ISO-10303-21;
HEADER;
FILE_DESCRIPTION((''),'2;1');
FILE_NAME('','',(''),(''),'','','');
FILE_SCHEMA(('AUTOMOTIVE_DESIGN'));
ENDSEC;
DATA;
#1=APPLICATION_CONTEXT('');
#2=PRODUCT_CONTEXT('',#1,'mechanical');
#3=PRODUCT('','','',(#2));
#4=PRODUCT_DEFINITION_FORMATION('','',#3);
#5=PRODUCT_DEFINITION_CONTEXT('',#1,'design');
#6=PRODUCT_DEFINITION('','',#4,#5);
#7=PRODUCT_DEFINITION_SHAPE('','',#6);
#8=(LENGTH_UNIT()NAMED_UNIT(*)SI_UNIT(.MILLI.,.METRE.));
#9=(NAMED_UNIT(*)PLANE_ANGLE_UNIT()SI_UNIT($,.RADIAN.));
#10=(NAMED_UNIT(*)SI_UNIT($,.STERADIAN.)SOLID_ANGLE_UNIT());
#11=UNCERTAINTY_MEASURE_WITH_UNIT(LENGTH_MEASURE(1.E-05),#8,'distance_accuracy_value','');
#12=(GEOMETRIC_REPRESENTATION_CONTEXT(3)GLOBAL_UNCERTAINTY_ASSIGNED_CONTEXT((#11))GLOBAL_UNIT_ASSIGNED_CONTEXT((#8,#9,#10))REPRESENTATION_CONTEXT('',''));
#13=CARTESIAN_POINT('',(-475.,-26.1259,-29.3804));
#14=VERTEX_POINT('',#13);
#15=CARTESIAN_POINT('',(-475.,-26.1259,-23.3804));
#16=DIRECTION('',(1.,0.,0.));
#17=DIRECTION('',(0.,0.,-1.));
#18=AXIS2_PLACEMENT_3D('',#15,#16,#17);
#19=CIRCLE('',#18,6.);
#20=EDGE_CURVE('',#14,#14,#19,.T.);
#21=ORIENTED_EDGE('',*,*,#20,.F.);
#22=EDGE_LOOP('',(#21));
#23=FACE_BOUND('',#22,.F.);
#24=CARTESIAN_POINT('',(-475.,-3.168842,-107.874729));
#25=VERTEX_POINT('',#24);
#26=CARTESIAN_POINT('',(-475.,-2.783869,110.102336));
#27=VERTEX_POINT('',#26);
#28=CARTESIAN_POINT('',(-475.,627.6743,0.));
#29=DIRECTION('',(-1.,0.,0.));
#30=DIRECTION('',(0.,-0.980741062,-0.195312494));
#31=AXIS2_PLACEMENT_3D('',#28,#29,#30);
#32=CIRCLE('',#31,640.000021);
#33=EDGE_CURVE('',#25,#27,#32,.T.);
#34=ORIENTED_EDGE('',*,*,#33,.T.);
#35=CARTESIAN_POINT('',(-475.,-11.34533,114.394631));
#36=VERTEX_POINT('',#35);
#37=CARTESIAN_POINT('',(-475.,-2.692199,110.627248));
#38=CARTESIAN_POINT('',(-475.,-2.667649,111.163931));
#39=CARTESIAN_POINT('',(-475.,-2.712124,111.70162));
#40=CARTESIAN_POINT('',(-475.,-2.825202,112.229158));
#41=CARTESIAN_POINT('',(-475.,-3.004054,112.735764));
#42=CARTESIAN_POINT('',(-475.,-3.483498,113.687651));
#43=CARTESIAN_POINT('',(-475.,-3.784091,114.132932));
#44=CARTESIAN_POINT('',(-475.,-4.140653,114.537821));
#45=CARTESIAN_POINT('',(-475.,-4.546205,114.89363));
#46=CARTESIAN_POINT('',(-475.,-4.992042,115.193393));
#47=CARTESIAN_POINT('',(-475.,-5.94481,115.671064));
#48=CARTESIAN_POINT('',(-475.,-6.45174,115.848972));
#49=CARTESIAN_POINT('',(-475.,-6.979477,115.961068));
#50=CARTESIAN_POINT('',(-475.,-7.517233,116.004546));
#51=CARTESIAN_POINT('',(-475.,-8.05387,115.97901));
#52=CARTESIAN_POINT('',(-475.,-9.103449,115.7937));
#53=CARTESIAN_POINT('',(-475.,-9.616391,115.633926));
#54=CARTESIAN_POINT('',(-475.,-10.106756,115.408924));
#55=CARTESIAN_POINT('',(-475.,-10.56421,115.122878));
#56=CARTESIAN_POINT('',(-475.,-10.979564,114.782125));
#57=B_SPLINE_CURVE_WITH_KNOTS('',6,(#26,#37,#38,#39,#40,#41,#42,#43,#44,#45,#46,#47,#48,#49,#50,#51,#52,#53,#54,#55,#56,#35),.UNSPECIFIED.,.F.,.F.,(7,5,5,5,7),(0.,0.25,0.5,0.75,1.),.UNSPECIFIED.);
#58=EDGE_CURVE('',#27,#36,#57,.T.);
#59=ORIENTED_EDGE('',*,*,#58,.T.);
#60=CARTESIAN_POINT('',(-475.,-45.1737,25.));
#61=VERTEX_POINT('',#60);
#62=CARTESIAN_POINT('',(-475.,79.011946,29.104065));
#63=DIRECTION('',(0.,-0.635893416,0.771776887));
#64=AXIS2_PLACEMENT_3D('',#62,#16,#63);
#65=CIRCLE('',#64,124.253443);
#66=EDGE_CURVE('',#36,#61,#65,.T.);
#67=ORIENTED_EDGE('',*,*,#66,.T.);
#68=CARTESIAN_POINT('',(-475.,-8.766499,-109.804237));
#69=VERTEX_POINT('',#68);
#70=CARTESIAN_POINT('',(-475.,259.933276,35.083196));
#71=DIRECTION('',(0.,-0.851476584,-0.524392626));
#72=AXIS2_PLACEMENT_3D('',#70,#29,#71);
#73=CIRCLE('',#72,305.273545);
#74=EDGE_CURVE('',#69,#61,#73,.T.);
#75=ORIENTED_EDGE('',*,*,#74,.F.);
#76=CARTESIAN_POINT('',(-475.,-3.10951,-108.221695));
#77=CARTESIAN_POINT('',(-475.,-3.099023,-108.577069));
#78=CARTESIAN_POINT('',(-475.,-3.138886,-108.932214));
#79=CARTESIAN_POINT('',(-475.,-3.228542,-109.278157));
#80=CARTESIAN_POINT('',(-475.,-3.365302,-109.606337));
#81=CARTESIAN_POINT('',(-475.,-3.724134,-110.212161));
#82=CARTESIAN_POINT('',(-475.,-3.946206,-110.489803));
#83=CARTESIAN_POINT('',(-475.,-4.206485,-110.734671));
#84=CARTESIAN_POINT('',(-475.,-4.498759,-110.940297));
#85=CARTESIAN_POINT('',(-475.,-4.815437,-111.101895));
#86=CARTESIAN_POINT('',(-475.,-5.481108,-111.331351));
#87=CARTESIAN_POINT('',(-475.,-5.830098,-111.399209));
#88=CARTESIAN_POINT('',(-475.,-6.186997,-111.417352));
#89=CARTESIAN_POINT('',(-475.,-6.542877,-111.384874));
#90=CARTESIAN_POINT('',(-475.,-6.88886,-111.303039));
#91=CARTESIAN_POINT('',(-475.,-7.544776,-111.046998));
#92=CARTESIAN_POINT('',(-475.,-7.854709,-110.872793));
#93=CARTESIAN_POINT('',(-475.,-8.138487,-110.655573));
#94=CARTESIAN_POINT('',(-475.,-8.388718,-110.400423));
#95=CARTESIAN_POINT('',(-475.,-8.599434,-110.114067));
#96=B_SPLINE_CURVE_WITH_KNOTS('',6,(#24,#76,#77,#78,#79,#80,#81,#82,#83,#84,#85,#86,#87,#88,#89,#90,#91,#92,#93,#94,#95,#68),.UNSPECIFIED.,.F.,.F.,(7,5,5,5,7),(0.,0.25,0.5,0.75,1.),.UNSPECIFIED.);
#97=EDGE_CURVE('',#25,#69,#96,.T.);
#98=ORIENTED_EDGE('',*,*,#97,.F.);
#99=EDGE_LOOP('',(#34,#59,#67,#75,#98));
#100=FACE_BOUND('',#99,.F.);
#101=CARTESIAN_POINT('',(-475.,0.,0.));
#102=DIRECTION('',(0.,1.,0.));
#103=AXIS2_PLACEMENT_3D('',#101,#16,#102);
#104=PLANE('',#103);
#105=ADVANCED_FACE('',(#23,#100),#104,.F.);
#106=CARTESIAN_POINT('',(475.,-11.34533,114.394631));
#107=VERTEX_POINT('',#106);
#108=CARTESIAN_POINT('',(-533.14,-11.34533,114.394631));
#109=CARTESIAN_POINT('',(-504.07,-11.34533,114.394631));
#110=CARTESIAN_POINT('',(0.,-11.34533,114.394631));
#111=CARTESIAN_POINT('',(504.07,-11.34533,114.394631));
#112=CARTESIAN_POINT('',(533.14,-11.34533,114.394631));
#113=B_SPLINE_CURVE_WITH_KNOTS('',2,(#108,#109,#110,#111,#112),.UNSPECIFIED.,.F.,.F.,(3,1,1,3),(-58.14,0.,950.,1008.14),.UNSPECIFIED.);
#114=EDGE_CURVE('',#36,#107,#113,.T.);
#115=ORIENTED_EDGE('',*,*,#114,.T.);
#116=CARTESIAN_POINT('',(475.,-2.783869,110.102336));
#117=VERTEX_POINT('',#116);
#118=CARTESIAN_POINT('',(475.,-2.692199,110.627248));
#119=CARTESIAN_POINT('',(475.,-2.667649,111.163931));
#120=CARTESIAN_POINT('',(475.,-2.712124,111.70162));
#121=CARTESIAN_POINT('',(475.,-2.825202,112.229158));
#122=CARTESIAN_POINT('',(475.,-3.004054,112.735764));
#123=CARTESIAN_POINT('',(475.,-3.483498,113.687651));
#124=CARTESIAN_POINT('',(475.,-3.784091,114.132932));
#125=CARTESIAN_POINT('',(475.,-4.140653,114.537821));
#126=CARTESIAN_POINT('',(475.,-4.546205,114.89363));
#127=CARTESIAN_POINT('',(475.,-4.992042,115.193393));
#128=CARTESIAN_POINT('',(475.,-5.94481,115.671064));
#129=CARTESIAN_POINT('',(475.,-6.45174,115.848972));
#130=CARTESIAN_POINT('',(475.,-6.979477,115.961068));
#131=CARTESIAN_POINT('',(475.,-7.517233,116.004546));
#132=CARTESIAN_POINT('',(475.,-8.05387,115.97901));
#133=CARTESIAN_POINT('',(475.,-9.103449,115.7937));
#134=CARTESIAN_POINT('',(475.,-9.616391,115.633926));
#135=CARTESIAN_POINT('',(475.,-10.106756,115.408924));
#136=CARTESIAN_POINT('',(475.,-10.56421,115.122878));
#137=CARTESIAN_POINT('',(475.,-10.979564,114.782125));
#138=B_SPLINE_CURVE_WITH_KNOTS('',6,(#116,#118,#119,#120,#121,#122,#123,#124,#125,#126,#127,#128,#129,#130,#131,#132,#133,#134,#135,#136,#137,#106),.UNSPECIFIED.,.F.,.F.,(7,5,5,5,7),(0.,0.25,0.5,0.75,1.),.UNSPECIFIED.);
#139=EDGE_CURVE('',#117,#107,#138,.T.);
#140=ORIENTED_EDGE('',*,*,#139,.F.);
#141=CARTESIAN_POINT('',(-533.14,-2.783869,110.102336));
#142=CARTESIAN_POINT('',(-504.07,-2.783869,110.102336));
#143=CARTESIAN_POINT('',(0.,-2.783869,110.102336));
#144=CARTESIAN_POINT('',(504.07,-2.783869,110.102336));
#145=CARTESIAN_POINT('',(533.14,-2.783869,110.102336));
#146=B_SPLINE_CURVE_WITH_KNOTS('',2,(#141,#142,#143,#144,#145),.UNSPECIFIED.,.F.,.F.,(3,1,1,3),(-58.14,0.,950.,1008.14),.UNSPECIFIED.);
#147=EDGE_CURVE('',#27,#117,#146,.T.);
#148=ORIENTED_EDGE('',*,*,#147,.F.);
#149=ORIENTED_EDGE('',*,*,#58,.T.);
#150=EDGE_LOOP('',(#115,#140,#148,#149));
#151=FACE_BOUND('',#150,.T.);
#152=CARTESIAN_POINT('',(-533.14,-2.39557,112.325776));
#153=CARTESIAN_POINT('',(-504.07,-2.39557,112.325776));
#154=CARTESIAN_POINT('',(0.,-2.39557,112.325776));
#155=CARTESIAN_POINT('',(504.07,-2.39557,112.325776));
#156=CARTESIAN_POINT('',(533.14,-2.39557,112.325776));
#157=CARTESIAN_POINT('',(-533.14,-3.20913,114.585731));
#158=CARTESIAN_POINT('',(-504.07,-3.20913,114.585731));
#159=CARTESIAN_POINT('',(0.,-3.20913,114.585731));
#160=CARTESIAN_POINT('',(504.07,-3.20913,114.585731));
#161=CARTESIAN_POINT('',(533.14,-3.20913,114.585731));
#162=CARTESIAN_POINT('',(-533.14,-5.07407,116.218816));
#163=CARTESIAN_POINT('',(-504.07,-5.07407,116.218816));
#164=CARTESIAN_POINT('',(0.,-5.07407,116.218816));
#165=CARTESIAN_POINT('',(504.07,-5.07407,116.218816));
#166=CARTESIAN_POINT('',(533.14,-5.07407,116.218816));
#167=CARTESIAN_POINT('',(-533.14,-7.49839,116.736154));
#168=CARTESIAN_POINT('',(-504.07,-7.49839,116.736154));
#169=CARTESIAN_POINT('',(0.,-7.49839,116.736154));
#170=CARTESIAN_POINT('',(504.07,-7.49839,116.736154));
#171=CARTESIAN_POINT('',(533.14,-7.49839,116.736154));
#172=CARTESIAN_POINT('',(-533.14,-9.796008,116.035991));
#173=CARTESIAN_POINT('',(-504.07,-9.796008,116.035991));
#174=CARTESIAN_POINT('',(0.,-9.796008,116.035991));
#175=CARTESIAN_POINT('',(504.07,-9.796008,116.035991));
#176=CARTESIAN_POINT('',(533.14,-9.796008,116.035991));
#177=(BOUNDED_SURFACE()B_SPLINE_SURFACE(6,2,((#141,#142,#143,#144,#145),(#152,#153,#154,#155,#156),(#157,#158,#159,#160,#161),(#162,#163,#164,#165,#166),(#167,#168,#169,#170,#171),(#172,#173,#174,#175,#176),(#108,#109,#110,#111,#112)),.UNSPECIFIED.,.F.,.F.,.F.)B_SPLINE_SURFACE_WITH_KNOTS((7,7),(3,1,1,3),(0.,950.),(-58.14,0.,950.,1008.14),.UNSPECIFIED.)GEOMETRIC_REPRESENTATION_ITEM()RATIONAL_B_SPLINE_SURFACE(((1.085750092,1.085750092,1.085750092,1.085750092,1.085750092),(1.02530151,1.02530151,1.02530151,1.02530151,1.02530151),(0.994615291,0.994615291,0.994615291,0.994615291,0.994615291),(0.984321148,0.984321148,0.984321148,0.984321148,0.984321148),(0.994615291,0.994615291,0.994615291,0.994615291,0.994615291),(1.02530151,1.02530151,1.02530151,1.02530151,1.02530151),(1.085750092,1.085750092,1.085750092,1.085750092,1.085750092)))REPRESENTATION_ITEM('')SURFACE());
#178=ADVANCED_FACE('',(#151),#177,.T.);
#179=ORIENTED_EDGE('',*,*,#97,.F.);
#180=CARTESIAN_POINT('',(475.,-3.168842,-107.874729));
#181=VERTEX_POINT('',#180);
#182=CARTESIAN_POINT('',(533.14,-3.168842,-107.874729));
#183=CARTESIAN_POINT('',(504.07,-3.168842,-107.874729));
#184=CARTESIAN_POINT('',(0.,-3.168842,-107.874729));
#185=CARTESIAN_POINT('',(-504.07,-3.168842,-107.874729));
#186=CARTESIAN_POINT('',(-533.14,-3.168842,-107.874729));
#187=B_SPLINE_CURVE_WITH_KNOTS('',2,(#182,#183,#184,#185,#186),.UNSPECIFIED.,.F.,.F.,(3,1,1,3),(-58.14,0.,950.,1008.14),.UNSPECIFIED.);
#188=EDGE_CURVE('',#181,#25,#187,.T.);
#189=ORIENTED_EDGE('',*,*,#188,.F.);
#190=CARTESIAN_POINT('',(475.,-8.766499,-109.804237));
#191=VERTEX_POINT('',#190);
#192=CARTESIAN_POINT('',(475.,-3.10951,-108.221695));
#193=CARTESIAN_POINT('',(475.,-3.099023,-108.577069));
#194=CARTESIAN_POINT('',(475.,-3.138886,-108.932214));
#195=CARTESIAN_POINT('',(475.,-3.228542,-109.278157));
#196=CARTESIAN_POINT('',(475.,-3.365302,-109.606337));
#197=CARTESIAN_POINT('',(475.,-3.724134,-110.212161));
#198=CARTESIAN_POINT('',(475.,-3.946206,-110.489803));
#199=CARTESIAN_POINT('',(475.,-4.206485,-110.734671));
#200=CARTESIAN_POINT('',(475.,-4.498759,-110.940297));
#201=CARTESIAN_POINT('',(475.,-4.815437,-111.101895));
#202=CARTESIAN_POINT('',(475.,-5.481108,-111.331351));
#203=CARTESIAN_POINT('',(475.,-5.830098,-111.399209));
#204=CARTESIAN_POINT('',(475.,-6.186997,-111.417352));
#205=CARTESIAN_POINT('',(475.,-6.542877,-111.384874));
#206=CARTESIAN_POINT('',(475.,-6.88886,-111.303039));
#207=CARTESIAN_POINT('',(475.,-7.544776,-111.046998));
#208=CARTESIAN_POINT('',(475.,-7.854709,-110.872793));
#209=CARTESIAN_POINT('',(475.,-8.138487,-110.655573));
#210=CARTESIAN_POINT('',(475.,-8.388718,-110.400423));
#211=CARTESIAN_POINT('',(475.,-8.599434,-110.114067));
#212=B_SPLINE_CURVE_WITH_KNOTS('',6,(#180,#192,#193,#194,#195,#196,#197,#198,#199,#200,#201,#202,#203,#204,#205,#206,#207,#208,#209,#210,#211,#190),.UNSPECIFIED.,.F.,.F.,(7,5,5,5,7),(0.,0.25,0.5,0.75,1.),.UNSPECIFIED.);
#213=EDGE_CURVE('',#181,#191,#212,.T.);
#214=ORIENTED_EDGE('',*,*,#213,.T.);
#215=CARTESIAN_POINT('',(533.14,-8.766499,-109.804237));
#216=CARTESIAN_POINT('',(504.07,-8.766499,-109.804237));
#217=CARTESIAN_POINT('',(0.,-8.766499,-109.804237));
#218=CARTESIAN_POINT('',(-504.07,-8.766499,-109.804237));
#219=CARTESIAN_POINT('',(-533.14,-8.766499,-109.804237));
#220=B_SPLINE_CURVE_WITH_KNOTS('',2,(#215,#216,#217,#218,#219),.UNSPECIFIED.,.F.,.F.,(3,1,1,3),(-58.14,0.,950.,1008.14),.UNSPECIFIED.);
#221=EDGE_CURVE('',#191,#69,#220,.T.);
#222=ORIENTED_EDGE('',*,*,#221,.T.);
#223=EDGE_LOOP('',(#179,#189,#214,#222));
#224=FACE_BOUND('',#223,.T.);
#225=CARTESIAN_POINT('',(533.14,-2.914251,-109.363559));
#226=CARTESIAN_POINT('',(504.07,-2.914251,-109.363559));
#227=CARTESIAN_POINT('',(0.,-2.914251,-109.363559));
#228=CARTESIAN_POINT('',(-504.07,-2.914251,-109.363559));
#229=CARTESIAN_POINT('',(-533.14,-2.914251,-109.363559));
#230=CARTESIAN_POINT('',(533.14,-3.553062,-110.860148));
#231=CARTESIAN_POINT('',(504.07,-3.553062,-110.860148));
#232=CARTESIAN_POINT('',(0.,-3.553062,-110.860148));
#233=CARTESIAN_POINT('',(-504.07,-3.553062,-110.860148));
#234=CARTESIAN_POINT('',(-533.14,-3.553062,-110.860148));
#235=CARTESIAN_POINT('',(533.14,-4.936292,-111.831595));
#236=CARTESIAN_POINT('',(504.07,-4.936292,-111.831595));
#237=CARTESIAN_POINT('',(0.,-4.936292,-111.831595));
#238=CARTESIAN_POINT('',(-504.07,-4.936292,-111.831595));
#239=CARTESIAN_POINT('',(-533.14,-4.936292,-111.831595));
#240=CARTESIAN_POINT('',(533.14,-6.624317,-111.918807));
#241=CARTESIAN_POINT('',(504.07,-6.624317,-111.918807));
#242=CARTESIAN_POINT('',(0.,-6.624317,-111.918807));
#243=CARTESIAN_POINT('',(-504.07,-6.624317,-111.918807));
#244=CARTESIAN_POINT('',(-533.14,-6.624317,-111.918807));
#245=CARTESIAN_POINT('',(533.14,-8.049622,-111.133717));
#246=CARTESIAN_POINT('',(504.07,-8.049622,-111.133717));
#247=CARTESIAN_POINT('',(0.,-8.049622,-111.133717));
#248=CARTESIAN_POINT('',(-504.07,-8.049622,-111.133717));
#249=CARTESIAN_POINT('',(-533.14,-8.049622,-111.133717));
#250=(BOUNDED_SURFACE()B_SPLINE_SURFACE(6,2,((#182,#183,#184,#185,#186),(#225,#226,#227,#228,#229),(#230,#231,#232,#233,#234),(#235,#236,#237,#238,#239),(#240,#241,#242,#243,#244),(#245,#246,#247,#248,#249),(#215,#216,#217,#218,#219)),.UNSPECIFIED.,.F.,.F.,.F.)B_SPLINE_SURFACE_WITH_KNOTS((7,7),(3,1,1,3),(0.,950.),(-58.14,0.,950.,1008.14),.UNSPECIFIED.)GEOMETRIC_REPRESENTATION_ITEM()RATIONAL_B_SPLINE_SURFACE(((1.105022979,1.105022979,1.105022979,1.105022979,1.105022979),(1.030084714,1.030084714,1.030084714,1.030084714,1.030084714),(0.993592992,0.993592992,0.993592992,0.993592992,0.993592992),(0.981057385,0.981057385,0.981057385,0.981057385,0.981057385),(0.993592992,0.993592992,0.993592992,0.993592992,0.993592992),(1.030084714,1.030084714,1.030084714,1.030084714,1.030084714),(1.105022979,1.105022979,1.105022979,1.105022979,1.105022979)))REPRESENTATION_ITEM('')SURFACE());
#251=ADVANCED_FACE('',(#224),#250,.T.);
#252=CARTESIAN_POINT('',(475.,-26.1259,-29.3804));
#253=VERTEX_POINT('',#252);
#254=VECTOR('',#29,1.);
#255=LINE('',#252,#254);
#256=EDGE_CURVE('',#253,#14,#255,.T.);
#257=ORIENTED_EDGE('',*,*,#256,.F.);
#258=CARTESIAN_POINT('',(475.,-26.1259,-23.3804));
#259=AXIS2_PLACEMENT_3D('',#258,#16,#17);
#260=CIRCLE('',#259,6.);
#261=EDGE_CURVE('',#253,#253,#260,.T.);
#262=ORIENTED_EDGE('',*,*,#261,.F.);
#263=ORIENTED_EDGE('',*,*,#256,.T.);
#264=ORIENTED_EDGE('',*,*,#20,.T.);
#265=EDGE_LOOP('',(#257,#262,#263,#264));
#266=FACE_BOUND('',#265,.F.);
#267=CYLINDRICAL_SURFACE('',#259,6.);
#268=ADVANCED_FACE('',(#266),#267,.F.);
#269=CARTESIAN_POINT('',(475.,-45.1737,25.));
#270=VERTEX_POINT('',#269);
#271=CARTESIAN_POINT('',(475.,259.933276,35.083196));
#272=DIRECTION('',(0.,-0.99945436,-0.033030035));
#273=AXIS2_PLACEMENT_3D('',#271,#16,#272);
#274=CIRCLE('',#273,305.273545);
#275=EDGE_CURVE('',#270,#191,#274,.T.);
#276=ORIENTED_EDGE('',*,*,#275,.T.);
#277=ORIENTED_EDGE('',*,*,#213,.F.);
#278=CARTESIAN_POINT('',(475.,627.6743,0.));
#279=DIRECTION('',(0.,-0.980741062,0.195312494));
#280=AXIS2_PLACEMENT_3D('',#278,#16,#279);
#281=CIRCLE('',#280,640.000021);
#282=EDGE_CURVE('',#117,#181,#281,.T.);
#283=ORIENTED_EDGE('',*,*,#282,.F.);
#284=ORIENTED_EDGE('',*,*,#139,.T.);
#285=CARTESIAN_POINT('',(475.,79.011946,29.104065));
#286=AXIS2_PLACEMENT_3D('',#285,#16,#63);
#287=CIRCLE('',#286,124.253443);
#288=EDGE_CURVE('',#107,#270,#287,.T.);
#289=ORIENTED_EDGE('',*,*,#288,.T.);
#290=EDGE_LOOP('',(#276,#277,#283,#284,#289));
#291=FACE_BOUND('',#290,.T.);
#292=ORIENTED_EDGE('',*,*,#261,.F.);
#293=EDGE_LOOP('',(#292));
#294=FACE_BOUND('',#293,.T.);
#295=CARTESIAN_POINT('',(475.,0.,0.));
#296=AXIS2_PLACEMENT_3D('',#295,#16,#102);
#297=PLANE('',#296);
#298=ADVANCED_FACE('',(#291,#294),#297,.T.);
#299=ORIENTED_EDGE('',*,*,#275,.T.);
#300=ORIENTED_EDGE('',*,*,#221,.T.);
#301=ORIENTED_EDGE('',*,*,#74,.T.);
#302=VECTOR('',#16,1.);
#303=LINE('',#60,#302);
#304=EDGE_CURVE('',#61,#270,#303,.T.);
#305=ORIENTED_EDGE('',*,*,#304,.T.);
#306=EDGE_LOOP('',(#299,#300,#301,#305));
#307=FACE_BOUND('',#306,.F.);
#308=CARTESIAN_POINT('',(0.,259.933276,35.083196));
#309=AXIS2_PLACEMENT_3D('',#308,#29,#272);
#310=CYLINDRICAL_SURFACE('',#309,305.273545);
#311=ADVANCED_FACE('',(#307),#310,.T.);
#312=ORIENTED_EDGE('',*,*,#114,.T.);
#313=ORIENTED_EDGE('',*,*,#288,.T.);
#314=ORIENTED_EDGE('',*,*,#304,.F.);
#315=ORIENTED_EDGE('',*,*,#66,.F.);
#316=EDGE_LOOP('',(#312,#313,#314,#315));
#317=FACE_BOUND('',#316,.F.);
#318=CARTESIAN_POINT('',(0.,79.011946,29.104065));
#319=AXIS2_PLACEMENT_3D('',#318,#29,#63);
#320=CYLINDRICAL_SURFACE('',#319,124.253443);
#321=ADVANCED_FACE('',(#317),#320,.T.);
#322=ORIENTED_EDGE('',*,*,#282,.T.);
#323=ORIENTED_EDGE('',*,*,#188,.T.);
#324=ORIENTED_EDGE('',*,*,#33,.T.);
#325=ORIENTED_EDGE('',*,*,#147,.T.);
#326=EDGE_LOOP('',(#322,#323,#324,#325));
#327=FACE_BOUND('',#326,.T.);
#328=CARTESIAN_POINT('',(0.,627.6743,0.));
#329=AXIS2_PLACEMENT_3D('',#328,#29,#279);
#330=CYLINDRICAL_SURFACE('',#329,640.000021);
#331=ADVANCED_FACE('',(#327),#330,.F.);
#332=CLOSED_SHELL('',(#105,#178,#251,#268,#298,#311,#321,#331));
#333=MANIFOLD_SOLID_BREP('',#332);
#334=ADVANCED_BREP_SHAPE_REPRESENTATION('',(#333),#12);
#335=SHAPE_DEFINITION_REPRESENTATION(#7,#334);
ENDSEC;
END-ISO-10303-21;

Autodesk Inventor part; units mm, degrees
ref_plane "YZ Plane" through (0, 0, 0) normal (1, 0, 0) x (0, 1, 0)
ref_plane "XZ Plane" through (0, 0, 0) normal (0, 1, 0) x (-1, 0, 0)
ref_plane "XY Plane" through (0, 0, 0) normal (0, 0, 1) x (1, 0, 0)
sketch "スケッチ1" plane through (0, 0, 0) normal (1, 0, 0) x (0, 1, 0)
  line L0 (0, 125) -> (0, -125)
  line L1 (-193.7075, 0) -> (764.5712, 0) projected
  arc A0 (0, 125) -> (0, -125) centre (627.6743, 0) ccw
  arc A1 (0, 125) -> (-45.1737, 25) centre (79.0119, 29.1041) ccw
  arc A2 (-45.1737, 25) -> (0, -125) centre (259.9333, 35.0832) ccw
  point P0 (0, 0)
  point P1 (0, 0)
  dimension "d0" = 250
  dimension "d1" = 640
  dimension "d16" = 100
extrude "押し出し4" add sketch "スケッチ1" along normal mid plane 950 contours A0 L1 A2 A1 | A0 A2 L1
fillet "フィレット3" radius 5 1 edges at (0, 0, 125)
fillet "フィレット3" radius 3 1 edges at (0, 0, -125)
sketch "スケッチ4" plane through (475, 0, 0) normal (1, 0, 0) x (0, 0, -1)
  circle A0 centre (23.3804, -26.1259) radius 6
  arc A1 (109.8042, -8.7665) -> (107.8747, -3.1688) centre (108.3804, -6.1259) ccw projected
  point P0 (0, 0)
  dimension "d21" = 12
  dimension "d22" = 85
  dimension "d23" = 20
extrude "押し出し5" cut sketch "スケッチ4" against normal through all
properties part number "styro_50_sub" material "ポリスチレン"
